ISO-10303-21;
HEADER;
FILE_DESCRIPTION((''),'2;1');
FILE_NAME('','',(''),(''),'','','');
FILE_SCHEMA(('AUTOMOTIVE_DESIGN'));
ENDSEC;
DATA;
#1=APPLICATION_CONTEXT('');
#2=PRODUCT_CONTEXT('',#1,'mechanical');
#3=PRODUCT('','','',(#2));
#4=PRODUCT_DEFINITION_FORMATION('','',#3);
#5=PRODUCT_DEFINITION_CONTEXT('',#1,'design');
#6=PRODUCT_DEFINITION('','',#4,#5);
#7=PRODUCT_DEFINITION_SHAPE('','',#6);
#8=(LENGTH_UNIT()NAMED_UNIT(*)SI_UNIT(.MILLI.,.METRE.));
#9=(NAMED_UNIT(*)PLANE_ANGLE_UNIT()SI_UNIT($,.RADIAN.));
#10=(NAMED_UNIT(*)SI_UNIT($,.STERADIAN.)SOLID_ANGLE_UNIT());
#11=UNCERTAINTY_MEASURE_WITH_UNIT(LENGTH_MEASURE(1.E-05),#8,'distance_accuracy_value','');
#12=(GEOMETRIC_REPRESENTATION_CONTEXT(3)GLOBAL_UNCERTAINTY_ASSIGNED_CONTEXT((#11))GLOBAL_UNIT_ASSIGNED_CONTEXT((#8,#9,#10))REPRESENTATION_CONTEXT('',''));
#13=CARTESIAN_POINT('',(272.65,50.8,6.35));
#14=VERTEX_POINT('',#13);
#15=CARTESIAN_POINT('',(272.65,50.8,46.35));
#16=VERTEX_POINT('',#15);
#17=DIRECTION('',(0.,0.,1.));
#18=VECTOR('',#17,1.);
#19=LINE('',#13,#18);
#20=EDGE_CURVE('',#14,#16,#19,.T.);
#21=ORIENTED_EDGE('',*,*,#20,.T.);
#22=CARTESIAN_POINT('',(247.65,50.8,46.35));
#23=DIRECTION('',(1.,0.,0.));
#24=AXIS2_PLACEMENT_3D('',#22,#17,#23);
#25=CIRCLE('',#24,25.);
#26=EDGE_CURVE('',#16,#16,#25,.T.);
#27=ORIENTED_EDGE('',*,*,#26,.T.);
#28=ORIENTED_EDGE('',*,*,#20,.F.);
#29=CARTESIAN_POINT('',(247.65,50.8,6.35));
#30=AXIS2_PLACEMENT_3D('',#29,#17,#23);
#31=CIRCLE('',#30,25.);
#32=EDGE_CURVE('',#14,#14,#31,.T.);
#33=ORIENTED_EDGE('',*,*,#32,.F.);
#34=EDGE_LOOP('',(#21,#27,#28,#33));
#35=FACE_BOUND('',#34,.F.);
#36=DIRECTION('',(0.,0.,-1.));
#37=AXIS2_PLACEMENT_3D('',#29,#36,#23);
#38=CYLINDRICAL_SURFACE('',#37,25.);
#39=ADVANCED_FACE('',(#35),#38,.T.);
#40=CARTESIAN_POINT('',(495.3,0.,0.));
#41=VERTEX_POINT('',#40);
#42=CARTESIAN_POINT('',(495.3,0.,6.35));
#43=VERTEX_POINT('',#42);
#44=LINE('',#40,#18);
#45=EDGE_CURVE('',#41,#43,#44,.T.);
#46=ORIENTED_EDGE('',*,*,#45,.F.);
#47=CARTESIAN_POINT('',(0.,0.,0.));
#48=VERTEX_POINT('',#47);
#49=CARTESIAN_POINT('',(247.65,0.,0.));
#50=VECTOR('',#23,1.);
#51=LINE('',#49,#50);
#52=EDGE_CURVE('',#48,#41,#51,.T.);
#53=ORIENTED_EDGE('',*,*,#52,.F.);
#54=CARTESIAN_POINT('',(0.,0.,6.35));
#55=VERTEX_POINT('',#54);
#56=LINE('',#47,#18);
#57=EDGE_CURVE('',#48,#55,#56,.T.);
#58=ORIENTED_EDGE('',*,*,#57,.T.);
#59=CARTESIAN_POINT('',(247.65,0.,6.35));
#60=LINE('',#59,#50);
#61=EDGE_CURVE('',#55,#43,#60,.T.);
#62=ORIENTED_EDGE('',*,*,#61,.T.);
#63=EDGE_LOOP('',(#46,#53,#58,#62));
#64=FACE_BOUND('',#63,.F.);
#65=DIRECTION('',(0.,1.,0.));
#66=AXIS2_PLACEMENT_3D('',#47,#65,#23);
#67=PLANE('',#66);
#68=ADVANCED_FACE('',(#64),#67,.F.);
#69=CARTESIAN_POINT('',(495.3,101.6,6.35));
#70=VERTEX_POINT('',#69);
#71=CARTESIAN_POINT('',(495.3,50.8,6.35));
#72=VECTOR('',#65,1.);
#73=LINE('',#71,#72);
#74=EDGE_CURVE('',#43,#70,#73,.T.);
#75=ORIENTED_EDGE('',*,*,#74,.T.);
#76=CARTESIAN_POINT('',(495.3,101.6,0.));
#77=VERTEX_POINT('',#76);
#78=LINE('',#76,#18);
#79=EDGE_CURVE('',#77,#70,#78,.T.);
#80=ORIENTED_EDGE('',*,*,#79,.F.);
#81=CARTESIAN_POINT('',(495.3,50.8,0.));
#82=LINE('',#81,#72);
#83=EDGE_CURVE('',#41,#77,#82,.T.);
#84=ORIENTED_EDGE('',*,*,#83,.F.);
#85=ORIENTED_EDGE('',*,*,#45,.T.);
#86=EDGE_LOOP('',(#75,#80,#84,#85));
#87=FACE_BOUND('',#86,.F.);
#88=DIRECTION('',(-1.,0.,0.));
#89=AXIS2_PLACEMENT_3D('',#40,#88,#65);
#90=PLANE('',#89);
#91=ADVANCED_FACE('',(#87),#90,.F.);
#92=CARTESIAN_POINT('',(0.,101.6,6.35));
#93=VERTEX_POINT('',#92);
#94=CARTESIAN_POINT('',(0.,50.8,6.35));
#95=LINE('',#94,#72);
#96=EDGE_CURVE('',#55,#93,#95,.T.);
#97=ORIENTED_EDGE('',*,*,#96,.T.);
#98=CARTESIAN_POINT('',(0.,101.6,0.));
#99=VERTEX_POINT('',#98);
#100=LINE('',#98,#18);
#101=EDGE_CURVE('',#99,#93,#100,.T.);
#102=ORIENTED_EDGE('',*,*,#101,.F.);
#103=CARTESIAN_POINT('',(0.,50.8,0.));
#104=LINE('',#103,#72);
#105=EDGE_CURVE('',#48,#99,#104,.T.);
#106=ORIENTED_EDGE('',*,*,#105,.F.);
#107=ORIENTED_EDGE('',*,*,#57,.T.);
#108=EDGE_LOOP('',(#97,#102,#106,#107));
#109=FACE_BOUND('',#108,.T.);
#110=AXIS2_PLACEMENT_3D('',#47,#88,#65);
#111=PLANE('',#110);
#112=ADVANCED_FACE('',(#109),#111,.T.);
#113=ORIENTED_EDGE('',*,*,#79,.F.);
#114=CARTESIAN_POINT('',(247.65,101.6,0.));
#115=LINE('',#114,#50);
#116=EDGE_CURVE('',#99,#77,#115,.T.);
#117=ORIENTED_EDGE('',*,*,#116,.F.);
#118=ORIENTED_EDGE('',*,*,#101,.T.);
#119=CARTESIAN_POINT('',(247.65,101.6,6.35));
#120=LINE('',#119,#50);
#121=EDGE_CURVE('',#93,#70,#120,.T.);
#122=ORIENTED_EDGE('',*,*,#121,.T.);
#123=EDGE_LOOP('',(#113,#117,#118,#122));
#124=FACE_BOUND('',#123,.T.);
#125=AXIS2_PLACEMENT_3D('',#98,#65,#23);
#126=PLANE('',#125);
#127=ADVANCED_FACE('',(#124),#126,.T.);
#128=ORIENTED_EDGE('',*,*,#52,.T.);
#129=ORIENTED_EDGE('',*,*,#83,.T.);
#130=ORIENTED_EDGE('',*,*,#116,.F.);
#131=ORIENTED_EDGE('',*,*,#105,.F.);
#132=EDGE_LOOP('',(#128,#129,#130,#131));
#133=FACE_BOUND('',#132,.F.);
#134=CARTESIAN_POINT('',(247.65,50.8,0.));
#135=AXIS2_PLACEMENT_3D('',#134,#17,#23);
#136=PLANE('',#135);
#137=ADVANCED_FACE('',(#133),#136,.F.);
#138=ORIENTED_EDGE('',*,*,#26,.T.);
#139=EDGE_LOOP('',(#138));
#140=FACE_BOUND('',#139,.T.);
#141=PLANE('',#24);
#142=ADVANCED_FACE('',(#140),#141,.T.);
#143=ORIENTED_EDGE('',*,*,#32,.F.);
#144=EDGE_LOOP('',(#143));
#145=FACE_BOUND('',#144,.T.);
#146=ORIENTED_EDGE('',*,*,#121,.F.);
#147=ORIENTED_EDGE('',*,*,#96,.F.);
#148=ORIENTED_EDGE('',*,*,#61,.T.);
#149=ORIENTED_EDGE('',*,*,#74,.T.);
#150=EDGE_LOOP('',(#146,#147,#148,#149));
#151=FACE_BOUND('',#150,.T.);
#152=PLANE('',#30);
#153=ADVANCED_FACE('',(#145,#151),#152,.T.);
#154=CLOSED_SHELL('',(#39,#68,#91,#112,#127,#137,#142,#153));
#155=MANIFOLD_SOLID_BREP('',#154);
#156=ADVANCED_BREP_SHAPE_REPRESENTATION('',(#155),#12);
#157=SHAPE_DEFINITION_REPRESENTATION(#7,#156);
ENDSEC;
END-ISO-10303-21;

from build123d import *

# Parameters (mm, degrees)
BOX_W     = 495.3
BOX_H     = 101.6
BOX_DEPTH = 6.35
SKETCH_R  = 25
PAD_DEPTH = 40


with BuildPart() as part:
    # Box → Box (new body)
    with BuildSketch(Plane.XY):
        with Locations((247.65, 50.8)):
            Rectangle(BOX_W, BOX_H)
    extrude(amount=BOX_DEPTH)

    # Sketch → Pad (new body)
    with BuildSketch(Plane.XY.offset(6.35)):
        with Locations((247.65, 50.8)):
            Circle(SKETCH_R)
    extrude(amount=PAD_DEPTH)


solid = part.part
